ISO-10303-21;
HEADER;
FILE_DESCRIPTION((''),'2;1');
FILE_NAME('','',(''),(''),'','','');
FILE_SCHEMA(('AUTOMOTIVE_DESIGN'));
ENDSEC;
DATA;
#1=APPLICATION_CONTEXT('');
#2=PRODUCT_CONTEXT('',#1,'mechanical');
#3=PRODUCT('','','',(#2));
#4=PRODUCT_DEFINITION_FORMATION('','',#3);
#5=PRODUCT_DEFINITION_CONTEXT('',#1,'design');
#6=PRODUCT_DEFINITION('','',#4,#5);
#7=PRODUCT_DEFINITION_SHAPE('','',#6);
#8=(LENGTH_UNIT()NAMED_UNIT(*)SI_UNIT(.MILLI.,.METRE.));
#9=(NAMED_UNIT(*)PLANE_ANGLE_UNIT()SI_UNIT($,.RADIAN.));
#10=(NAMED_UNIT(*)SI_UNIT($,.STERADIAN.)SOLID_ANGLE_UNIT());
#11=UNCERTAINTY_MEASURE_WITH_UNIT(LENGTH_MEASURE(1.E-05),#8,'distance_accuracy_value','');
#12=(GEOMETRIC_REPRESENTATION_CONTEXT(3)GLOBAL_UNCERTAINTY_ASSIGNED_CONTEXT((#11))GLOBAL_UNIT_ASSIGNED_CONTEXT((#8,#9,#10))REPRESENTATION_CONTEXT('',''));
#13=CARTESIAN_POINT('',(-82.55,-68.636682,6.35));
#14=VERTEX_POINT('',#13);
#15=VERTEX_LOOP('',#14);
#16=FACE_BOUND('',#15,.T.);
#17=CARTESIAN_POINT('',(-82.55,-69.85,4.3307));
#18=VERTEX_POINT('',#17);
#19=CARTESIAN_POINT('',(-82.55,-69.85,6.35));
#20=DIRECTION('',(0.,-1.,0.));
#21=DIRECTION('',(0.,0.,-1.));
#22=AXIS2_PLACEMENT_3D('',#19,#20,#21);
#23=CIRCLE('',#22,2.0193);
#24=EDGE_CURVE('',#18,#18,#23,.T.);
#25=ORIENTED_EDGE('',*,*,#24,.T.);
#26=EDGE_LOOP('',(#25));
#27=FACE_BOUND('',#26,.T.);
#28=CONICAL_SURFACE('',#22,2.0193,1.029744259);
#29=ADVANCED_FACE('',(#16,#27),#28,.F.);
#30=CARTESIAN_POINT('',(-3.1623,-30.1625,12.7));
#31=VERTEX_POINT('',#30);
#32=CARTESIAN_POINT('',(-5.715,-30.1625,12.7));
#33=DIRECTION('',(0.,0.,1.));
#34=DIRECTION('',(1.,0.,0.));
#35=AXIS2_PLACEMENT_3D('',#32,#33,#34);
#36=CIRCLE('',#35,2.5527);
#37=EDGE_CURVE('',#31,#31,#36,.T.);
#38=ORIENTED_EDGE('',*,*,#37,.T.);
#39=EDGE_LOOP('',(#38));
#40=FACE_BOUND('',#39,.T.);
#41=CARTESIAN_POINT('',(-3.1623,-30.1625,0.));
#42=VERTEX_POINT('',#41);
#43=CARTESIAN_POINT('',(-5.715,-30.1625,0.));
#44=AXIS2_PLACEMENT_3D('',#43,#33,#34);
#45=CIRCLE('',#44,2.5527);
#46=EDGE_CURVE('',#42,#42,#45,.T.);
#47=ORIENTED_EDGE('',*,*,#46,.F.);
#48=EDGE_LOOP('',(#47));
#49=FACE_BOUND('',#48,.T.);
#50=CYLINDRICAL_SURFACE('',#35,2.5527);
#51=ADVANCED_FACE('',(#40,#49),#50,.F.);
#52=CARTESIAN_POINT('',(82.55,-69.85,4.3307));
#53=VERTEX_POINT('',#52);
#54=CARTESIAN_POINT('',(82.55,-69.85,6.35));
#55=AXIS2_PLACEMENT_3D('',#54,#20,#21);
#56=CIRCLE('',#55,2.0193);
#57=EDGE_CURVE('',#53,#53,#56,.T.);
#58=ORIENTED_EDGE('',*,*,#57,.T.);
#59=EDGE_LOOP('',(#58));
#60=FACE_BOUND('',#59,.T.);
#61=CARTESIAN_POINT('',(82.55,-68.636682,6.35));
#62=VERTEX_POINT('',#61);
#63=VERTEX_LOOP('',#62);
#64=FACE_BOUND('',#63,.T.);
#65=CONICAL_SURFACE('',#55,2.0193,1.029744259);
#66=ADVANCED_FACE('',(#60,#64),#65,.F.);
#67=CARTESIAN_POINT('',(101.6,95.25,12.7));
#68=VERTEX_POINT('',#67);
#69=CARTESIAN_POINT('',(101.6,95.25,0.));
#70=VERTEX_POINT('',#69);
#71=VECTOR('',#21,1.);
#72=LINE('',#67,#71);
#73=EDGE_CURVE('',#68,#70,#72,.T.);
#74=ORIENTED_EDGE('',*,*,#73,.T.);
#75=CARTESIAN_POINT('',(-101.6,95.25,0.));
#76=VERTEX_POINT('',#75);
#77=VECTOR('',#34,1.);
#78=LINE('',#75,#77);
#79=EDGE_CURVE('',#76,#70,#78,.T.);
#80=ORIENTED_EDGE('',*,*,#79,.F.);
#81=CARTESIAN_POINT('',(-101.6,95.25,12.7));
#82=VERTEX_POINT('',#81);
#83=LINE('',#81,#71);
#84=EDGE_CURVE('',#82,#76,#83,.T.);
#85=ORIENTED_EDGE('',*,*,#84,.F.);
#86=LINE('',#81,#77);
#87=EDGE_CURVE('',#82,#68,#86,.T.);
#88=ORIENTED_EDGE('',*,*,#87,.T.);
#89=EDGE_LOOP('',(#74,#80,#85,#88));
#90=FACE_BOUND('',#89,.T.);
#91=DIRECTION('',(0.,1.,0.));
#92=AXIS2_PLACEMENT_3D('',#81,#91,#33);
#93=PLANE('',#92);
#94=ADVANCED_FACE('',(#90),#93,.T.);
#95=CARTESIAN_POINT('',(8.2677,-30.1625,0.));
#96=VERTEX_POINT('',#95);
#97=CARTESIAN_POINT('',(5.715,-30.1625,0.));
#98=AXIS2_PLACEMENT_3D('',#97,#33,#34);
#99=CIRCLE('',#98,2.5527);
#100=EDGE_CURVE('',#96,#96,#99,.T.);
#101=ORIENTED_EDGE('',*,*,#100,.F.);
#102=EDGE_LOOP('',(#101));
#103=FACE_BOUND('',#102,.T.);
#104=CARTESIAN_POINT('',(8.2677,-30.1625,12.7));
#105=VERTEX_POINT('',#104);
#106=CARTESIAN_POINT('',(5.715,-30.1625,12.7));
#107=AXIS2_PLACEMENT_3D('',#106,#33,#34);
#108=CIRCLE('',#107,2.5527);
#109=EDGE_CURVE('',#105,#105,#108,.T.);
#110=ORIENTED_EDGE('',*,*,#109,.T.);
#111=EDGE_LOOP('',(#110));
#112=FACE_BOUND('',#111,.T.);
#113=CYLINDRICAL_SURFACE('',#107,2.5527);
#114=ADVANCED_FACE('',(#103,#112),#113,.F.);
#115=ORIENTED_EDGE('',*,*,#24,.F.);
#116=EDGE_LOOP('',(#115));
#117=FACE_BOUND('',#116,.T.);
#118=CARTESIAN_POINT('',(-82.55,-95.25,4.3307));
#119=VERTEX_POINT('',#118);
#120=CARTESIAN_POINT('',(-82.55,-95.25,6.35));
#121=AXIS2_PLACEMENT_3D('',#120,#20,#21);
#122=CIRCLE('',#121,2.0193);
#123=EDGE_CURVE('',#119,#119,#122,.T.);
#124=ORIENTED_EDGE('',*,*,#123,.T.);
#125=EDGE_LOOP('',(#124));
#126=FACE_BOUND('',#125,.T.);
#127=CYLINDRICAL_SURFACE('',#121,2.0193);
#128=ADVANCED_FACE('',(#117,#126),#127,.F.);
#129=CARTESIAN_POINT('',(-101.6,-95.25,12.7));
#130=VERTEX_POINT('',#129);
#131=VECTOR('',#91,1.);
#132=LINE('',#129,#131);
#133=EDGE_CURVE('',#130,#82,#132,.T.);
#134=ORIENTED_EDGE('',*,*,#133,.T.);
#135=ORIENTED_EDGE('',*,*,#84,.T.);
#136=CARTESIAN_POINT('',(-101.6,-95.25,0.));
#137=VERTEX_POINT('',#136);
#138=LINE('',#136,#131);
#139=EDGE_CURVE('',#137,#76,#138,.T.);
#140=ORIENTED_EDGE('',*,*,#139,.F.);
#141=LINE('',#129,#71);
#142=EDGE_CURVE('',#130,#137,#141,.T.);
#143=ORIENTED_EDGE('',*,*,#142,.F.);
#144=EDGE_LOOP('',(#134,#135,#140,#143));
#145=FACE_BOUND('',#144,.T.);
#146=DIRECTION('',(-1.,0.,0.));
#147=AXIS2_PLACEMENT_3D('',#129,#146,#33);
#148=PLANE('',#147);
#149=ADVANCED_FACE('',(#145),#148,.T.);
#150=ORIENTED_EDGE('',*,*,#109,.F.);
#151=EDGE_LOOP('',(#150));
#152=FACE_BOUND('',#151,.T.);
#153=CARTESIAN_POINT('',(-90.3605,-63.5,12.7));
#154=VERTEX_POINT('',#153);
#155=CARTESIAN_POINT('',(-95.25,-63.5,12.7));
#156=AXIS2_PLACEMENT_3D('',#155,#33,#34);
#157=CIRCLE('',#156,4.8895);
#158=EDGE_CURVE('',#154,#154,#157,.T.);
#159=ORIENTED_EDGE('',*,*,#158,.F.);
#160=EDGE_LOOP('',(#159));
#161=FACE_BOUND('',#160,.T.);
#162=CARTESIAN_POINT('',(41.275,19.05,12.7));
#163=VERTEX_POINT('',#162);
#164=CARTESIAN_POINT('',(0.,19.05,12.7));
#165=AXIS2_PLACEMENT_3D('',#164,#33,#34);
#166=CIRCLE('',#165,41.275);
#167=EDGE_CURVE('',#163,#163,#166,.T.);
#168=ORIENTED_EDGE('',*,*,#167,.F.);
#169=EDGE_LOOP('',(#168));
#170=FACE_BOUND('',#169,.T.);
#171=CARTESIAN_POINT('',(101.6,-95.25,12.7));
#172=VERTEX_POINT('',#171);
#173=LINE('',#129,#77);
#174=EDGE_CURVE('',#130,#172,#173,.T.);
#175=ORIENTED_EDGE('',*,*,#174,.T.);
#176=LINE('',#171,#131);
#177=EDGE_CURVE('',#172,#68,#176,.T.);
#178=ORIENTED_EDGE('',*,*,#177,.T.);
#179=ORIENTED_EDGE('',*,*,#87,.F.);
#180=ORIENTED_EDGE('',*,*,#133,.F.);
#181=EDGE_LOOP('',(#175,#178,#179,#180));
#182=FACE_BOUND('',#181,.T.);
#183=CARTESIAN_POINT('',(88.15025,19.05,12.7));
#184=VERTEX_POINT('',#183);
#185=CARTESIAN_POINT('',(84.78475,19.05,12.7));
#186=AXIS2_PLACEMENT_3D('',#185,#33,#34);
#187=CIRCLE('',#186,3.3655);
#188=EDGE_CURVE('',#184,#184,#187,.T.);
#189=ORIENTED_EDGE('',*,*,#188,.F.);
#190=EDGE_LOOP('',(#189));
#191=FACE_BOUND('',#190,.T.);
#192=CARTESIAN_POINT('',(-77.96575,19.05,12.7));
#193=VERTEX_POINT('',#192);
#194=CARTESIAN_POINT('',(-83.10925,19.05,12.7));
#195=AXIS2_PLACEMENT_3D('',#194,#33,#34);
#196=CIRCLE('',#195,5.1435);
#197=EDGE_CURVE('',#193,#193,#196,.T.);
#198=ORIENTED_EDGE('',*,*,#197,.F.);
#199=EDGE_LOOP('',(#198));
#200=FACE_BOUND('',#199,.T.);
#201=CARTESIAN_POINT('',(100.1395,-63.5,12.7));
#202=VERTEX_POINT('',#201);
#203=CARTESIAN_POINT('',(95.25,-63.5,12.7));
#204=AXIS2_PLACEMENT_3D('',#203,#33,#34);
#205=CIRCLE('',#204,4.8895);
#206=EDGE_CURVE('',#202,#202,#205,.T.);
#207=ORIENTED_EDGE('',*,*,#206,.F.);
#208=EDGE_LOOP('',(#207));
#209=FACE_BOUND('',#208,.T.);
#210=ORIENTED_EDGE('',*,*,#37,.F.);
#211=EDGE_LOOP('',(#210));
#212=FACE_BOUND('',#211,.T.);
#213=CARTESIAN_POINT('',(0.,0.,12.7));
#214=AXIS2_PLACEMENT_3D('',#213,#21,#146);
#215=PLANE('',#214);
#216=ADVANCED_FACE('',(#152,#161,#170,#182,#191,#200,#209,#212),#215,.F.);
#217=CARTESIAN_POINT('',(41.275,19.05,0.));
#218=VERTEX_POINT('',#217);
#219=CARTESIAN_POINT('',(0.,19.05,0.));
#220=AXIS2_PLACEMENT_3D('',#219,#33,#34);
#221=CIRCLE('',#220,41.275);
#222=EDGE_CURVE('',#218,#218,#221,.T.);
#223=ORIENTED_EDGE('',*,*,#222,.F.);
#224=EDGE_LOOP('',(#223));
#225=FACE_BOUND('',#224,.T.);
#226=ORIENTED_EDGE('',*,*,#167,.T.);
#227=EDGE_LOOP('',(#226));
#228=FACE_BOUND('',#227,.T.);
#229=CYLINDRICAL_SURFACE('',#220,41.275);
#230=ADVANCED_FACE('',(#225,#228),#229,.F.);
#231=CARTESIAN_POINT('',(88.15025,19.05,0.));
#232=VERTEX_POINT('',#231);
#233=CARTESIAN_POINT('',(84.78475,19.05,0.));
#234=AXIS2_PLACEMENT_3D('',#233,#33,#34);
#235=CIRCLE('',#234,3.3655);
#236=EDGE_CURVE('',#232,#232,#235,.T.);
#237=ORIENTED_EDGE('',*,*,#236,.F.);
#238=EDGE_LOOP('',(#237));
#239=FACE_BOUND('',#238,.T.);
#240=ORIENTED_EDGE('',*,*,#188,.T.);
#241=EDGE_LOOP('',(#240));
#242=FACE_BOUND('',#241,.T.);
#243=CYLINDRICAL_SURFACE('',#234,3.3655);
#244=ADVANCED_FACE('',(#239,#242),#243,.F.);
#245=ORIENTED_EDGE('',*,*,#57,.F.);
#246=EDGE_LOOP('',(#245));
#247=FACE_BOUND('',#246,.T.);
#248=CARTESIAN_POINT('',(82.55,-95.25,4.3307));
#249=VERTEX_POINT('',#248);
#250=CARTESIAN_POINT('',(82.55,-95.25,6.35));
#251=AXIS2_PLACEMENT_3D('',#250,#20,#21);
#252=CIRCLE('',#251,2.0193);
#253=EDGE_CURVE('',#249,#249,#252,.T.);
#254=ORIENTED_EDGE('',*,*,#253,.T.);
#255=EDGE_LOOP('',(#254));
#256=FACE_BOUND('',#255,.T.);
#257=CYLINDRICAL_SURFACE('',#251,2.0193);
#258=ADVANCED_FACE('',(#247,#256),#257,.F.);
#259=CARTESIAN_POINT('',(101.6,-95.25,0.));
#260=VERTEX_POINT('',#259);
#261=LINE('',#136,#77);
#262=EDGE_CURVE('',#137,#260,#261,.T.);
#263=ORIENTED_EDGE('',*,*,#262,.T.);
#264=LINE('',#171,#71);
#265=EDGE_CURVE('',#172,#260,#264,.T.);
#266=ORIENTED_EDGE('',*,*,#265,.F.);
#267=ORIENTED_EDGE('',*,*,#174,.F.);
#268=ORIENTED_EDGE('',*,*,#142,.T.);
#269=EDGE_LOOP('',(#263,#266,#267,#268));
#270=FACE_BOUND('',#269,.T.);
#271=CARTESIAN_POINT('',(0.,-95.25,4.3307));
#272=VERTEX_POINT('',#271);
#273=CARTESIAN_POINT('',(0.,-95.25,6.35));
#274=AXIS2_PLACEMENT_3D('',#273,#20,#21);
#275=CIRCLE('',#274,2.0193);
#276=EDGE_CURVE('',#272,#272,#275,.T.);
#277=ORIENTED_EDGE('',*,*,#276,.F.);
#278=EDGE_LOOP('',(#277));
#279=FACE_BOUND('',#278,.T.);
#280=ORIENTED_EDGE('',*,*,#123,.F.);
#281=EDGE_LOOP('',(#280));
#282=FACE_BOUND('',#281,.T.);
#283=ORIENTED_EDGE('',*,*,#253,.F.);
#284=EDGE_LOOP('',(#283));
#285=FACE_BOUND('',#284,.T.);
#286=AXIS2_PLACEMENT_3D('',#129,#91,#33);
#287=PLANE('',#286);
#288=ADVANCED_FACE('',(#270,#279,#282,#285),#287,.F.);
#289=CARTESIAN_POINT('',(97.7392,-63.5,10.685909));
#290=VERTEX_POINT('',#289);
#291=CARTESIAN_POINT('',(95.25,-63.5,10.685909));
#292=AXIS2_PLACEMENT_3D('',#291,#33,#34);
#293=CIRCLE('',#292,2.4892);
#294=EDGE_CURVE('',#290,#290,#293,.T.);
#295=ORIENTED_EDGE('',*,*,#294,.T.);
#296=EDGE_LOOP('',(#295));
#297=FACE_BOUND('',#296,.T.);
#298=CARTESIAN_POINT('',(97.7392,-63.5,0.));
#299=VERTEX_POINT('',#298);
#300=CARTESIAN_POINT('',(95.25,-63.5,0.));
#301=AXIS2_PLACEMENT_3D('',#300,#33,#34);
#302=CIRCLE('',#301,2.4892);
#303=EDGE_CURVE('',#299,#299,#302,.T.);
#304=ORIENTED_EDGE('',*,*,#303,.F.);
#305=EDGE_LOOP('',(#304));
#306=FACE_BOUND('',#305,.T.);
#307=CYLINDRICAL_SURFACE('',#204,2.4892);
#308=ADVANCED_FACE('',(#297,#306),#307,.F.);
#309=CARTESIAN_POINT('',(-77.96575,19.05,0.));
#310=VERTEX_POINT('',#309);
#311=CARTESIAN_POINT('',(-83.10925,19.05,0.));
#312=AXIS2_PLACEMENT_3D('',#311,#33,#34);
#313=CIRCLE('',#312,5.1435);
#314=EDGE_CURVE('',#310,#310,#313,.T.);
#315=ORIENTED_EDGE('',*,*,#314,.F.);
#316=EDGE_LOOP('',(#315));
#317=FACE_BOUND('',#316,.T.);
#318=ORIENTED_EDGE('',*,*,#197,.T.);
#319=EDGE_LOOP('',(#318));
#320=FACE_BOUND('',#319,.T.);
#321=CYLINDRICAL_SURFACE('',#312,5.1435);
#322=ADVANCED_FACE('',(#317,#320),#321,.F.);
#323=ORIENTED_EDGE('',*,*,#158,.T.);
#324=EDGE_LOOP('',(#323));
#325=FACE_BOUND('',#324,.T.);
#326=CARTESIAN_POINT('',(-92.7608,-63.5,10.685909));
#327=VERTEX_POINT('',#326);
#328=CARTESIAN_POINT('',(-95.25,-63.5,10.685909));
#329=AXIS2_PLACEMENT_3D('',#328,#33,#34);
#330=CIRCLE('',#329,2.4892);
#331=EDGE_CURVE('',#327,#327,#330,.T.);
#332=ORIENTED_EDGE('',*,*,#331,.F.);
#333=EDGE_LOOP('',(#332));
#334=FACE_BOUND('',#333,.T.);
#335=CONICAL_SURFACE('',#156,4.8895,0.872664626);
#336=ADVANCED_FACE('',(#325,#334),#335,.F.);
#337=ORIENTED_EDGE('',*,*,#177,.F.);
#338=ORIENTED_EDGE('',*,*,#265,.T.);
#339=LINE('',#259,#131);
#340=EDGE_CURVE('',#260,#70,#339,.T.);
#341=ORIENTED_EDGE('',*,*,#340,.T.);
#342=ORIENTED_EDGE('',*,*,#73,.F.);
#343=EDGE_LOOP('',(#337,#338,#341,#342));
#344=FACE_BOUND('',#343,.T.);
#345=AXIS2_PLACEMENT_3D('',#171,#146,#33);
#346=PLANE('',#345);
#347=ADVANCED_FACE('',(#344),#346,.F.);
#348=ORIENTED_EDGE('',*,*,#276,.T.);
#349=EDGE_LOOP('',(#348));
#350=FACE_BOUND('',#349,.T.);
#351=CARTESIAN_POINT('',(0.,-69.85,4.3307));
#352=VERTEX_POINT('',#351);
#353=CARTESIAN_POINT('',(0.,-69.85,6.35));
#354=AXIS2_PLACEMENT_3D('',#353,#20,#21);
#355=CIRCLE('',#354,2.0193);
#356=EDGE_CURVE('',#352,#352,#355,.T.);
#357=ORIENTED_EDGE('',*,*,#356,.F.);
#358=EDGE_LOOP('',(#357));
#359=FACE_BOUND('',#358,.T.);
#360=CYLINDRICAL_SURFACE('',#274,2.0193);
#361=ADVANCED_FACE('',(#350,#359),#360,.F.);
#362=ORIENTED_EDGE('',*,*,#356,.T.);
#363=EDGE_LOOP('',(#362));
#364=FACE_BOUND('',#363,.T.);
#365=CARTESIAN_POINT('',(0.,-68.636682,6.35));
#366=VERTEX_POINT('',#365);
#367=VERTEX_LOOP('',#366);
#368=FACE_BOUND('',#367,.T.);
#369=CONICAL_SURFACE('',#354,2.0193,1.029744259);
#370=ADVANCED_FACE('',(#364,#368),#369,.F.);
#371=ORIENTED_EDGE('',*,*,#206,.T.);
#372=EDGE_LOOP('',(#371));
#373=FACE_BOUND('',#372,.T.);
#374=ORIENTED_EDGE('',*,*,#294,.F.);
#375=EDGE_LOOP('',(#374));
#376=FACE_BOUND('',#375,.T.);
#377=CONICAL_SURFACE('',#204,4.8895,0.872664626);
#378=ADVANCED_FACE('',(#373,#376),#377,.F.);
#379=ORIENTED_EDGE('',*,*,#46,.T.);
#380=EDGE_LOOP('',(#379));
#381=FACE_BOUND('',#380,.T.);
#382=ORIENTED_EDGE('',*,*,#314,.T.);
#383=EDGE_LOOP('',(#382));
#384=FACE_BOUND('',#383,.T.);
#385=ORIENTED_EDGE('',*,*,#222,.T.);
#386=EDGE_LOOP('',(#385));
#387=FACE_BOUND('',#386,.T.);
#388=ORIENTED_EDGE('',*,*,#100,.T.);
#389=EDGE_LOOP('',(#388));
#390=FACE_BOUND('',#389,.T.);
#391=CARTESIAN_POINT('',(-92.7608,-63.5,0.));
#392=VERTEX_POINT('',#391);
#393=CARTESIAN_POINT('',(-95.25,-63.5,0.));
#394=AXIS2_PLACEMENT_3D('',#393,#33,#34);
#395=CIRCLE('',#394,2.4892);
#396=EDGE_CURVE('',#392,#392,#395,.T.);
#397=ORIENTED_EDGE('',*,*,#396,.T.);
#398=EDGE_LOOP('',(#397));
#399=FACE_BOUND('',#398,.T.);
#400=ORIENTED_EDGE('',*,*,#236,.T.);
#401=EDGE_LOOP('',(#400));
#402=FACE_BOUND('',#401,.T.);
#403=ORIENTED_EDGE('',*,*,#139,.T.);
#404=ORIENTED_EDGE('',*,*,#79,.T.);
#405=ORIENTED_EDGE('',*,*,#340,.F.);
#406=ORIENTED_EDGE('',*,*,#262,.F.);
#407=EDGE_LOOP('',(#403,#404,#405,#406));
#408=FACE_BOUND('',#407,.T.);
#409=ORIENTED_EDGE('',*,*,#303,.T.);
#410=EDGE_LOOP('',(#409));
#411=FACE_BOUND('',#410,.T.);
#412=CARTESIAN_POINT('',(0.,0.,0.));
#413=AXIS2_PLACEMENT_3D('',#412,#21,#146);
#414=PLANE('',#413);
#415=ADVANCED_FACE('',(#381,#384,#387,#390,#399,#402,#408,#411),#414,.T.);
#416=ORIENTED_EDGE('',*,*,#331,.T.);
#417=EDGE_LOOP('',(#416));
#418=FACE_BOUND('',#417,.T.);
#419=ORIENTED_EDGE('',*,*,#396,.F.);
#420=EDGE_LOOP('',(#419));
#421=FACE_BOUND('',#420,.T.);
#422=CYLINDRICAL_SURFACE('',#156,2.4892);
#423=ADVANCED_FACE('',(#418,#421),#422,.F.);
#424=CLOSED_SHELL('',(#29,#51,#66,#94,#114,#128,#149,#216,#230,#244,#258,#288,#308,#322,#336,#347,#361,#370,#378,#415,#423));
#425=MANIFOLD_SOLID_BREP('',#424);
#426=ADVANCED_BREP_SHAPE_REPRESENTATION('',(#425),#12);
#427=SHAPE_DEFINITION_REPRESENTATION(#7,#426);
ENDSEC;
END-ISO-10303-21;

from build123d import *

# Parameters (mm, degrees)
SKETCH1_W                                          = 203.2
SKETCH1_H                                          = 190.5
BOSS_EXTRUDE1_DEPTH                                = 12.7
SKETCH2_R                                          = 41.275
SKETCH2_R_2                                        = 5.1435
SKETCH2_R_3                                        = 3.3655
CUT_EXTRUDE1_DEPTH                                 = 140.844243714
F_10_32_TAPPED_HOLE1_D                             = 4.0386
F_10_32_TAPPED_HOLE1_DEPTH                         = 25.4
F_10_32_TAPPED_HOLE1_TIP                           = 1.213317848
CSK_FOR_10_FLAT_HEAD_MACHINE_SCREW_100_D           = 4.9784
CSK_FOR_10_FLAT_HEAD_MACHINE_SCREW_100_CSINK_D     = 9.779
CSK_FOR_10_FLAT_HEAD_MACHINE_SCREW_100_CSINK_ANGLE = 100
F_7_0_201_DIAMETER_HOLE1_D                         = 5.1054


with BuildPart() as part:
    # Sketch1 → Boss-Extrude1 (new body)
    with BuildSketch(Plane.XY):
        Rectangle(SKETCH1_W, SKETCH1_H)
    extrude(amount=BOSS_EXTRUDE1_DEPTH)

    # Sketch2 → Cut-Extrude1 (cut, through all)
    with BuildSketch(Plane.XY.offset(12.7)):
        with Locations((0, 19.05)):
            Circle(SKETCH2_R)
        with Locations((-83.109250243, 19.05)):
            Circle(SKETCH2_R_2)
        with Locations((84.784749757, 19.05)):
            Circle(SKETCH2_R_3)
    extrude(amount=-CUT_EXTRUDE1_DEPTH, mode=Mode.SUBTRACT)

    # #10-32 Tapped Hole1
    with Locations(Plane(origin=(0, -95.25, 0), x_dir=(-1, 0, 0), z_dir=(0, -1, 0))):
        with Locations((82.55, -6.35), (0, -6.35), (-82.55, -6.35)):
            Hole(F_10_32_TAPPED_HOLE1_D / 2, depth=F_10_32_TAPPED_HOLE1_DEPTH)
            with Locations((0, 0, -(F_10_32_TAPPED_HOLE1_DEPTH + F_10_32_TAPPED_HOLE1_TIP / 2))):  # 118° drill point
                Cone(0, F_10_32_TAPPED_HOLE1_D / 2, F_10_32_TAPPED_HOLE1_TIP, mode=Mode.SUBTRACT)

    # CSK for #10 Flat Head Machine Screw (100)1 (through all)
    with Locations(Plane.XY.offset(12.7)):
        with Locations((-95.25, -63.5), (95.25, -63.5)):
            CounterSinkHole(CSK_FOR_10_FLAT_HEAD_MACHINE_SCREW_100_D / 2, CSK_FOR_10_FLAT_HEAD_MACHINE_SCREW_100_CSINK_D / 2, counter_sink_angle=CSK_FOR_10_FLAT_HEAD_MACHINE_SCREW_100_CSINK_ANGLE)

    # #7 (0.201) Diameter Hole1 (through all)
    with Locations(Plane.XY.offset(12.7)):
        with Locations((-5.715, -30.1625), (5.715, -30.1625)):
            Hole(F_7_0_201_DIAMETER_HOLE1_D / 2)


solid = part.part
